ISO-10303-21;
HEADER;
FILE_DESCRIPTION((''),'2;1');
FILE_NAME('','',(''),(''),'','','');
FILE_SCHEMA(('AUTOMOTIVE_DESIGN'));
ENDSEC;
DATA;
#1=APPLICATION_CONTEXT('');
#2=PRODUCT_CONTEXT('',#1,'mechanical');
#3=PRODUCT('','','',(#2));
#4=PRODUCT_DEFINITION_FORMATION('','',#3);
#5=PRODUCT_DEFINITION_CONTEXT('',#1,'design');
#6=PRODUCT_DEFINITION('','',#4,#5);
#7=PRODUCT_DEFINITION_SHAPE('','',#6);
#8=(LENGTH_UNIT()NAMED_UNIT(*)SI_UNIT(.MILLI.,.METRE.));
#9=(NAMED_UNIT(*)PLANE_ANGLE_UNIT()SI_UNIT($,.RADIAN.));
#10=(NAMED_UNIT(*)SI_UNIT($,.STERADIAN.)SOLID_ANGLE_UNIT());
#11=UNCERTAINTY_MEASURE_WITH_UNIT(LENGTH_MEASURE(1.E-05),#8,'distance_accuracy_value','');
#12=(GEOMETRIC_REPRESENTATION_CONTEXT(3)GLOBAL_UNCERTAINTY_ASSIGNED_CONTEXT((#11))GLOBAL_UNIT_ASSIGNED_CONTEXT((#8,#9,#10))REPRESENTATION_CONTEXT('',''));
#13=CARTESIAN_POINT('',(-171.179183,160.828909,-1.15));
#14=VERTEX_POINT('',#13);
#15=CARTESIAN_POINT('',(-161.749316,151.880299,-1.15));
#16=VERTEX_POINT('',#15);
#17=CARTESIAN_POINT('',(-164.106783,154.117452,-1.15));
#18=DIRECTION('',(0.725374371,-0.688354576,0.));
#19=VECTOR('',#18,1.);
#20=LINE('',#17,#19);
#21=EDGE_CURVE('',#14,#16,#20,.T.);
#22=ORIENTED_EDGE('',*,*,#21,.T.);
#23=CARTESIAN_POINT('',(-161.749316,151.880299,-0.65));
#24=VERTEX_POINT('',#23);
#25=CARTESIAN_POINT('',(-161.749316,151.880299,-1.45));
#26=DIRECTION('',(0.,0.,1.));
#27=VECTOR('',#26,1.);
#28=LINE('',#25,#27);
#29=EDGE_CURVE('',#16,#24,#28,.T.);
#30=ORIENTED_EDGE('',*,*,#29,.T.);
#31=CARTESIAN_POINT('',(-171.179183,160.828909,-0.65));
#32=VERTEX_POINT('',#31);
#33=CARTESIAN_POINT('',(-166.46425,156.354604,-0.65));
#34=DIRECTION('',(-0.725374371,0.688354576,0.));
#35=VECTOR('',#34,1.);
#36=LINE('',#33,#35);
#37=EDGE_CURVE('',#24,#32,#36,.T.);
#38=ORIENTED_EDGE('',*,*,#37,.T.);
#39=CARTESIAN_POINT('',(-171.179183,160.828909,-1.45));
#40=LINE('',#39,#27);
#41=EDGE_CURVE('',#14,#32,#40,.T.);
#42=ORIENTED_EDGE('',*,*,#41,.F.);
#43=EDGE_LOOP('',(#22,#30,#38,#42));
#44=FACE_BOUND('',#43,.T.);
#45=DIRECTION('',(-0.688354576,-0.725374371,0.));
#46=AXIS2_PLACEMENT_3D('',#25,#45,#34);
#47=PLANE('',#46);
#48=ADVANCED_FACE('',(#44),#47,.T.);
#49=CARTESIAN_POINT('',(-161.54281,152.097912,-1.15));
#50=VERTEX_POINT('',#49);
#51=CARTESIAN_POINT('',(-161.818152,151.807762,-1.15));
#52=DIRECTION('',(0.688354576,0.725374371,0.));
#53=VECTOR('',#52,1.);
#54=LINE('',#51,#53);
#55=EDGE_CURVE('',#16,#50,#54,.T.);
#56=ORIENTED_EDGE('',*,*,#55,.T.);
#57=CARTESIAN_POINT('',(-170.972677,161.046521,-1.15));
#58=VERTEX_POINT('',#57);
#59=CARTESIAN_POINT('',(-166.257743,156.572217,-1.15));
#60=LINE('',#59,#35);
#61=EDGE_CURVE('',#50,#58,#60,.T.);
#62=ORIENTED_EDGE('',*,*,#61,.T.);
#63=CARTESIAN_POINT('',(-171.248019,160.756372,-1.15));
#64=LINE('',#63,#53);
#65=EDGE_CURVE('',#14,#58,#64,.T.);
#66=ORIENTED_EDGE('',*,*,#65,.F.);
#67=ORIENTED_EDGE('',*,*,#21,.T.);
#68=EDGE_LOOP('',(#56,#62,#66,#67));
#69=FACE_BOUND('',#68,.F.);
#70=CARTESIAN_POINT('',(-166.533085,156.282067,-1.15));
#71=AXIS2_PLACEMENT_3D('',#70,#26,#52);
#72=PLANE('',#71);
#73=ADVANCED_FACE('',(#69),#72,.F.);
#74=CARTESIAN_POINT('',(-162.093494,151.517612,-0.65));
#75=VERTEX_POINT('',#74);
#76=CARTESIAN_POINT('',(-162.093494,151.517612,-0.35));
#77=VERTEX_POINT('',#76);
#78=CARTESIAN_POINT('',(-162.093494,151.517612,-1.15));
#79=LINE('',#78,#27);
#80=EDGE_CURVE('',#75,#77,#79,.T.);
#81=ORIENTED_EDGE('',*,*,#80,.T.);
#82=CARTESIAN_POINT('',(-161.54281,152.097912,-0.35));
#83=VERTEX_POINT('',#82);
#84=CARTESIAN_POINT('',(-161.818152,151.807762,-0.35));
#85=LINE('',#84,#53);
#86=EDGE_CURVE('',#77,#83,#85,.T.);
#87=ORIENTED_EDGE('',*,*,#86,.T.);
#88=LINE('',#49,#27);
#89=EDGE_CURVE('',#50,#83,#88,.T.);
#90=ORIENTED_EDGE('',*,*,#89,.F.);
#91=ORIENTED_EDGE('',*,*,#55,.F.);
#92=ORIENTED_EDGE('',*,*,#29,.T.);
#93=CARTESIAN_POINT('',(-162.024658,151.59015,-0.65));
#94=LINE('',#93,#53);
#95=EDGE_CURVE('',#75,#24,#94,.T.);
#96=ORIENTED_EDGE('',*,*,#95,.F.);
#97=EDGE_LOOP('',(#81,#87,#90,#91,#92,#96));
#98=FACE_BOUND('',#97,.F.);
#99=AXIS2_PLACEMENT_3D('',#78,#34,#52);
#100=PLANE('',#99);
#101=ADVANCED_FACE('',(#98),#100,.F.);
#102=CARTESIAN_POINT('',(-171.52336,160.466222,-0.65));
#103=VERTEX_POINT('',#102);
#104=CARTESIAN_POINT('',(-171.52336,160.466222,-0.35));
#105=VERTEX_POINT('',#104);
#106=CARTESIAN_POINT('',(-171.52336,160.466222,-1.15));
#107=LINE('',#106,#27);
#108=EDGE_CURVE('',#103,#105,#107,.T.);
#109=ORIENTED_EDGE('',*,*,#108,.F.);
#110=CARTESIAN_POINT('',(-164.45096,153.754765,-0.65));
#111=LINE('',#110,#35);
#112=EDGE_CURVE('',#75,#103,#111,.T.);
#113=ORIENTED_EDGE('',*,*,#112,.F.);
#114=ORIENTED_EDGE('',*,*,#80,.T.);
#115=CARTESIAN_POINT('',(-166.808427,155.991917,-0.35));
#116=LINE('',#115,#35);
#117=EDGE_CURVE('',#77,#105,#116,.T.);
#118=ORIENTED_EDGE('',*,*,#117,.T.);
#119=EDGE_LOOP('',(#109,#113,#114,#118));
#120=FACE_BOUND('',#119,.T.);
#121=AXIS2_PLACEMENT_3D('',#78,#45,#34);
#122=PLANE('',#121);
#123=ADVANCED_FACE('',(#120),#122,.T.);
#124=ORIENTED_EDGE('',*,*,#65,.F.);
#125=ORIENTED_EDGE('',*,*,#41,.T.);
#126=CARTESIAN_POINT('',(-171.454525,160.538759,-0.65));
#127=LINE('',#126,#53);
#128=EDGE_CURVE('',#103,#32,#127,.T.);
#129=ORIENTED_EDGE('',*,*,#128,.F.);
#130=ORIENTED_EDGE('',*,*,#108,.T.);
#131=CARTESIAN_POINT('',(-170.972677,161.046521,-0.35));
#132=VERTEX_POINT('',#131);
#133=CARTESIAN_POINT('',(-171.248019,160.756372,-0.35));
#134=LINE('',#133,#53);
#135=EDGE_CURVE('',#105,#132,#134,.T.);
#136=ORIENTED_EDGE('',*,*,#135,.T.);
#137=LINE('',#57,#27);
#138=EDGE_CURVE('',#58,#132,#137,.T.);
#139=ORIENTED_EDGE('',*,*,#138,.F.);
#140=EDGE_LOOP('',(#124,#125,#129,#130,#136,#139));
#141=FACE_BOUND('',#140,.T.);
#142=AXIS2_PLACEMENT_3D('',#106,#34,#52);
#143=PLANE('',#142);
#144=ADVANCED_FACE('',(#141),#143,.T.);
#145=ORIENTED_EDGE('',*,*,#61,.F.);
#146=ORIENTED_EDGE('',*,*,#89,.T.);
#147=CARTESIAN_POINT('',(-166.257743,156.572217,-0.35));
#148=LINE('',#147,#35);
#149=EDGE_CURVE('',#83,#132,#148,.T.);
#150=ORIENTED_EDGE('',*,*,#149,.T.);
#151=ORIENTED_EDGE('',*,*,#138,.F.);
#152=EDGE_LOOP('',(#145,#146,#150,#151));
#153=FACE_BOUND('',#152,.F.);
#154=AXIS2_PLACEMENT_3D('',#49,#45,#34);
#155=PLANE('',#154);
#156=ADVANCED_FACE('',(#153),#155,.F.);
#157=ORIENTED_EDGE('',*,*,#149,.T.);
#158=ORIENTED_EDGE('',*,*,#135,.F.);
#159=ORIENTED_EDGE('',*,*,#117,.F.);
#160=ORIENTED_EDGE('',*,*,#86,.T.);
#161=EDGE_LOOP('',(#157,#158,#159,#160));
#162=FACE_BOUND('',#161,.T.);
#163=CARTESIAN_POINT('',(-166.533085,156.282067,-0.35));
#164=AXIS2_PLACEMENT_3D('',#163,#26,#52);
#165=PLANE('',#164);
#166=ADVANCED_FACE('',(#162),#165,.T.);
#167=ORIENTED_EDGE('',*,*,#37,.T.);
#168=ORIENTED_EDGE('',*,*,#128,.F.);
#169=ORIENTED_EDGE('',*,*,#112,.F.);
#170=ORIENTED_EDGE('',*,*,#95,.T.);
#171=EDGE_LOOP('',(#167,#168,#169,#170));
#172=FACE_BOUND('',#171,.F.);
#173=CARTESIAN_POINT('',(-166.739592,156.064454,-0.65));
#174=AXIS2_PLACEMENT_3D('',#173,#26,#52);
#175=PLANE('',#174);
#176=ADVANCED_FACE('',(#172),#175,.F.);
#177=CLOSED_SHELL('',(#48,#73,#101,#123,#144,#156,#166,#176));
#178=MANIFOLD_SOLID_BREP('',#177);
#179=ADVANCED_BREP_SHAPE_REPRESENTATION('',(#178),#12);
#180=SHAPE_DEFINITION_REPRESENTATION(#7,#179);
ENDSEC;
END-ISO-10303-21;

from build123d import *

# Parameters (mm, degrees)
BOX131_W               = 0.8
BOX131_H               = 13
BOX131_DEPTH           = 0.8
BOX132_W               = 0.8
BOX132_H               = 13
BOX132_DEPTH           = 0.8
CUT069_PLACEMENT_ANGLE = 46.5


with BuildPart() as cubo131:
    # Box131 → Box131 (new body)
    with BuildSketch(Plane.XY):
        with Locations((0.4, 6.5)):
            Rectangle(BOX131_W, BOX131_H)
    extrude(amount=BOX131_DEPTH)


with BuildPart() as perfil_l_2da_cara011:
    # Box132 → Box132 (new body)
    with BuildSketch(Plane(origin=(0.3, 0, 0.3), x_dir=(1, 0, 0), z_dir=(0, 0, 1))):
        with Locations((0.4, 6.5)):
            Rectangle(BOX132_W, BOX132_H)
    extrude(amount=BOX132_DEPTH)

    # Cut069: cut Cubo131
    add(cubo131.part, mode=Mode.SUBTRACT)


with BuildPart() as perfil_l_2da_cara011_1:
    # Cut069 placement: moved
    add(perfil_l_2da_cara011.part.moved(Location((-162.3, 151.3, -1.45))).rotate(Axis((-162.3, 151.3, -1.45), (0, 0, 1)), CUT069_PLACEMENT_ANGLE))


solid = perfil_l_2da_cara011_1.part
